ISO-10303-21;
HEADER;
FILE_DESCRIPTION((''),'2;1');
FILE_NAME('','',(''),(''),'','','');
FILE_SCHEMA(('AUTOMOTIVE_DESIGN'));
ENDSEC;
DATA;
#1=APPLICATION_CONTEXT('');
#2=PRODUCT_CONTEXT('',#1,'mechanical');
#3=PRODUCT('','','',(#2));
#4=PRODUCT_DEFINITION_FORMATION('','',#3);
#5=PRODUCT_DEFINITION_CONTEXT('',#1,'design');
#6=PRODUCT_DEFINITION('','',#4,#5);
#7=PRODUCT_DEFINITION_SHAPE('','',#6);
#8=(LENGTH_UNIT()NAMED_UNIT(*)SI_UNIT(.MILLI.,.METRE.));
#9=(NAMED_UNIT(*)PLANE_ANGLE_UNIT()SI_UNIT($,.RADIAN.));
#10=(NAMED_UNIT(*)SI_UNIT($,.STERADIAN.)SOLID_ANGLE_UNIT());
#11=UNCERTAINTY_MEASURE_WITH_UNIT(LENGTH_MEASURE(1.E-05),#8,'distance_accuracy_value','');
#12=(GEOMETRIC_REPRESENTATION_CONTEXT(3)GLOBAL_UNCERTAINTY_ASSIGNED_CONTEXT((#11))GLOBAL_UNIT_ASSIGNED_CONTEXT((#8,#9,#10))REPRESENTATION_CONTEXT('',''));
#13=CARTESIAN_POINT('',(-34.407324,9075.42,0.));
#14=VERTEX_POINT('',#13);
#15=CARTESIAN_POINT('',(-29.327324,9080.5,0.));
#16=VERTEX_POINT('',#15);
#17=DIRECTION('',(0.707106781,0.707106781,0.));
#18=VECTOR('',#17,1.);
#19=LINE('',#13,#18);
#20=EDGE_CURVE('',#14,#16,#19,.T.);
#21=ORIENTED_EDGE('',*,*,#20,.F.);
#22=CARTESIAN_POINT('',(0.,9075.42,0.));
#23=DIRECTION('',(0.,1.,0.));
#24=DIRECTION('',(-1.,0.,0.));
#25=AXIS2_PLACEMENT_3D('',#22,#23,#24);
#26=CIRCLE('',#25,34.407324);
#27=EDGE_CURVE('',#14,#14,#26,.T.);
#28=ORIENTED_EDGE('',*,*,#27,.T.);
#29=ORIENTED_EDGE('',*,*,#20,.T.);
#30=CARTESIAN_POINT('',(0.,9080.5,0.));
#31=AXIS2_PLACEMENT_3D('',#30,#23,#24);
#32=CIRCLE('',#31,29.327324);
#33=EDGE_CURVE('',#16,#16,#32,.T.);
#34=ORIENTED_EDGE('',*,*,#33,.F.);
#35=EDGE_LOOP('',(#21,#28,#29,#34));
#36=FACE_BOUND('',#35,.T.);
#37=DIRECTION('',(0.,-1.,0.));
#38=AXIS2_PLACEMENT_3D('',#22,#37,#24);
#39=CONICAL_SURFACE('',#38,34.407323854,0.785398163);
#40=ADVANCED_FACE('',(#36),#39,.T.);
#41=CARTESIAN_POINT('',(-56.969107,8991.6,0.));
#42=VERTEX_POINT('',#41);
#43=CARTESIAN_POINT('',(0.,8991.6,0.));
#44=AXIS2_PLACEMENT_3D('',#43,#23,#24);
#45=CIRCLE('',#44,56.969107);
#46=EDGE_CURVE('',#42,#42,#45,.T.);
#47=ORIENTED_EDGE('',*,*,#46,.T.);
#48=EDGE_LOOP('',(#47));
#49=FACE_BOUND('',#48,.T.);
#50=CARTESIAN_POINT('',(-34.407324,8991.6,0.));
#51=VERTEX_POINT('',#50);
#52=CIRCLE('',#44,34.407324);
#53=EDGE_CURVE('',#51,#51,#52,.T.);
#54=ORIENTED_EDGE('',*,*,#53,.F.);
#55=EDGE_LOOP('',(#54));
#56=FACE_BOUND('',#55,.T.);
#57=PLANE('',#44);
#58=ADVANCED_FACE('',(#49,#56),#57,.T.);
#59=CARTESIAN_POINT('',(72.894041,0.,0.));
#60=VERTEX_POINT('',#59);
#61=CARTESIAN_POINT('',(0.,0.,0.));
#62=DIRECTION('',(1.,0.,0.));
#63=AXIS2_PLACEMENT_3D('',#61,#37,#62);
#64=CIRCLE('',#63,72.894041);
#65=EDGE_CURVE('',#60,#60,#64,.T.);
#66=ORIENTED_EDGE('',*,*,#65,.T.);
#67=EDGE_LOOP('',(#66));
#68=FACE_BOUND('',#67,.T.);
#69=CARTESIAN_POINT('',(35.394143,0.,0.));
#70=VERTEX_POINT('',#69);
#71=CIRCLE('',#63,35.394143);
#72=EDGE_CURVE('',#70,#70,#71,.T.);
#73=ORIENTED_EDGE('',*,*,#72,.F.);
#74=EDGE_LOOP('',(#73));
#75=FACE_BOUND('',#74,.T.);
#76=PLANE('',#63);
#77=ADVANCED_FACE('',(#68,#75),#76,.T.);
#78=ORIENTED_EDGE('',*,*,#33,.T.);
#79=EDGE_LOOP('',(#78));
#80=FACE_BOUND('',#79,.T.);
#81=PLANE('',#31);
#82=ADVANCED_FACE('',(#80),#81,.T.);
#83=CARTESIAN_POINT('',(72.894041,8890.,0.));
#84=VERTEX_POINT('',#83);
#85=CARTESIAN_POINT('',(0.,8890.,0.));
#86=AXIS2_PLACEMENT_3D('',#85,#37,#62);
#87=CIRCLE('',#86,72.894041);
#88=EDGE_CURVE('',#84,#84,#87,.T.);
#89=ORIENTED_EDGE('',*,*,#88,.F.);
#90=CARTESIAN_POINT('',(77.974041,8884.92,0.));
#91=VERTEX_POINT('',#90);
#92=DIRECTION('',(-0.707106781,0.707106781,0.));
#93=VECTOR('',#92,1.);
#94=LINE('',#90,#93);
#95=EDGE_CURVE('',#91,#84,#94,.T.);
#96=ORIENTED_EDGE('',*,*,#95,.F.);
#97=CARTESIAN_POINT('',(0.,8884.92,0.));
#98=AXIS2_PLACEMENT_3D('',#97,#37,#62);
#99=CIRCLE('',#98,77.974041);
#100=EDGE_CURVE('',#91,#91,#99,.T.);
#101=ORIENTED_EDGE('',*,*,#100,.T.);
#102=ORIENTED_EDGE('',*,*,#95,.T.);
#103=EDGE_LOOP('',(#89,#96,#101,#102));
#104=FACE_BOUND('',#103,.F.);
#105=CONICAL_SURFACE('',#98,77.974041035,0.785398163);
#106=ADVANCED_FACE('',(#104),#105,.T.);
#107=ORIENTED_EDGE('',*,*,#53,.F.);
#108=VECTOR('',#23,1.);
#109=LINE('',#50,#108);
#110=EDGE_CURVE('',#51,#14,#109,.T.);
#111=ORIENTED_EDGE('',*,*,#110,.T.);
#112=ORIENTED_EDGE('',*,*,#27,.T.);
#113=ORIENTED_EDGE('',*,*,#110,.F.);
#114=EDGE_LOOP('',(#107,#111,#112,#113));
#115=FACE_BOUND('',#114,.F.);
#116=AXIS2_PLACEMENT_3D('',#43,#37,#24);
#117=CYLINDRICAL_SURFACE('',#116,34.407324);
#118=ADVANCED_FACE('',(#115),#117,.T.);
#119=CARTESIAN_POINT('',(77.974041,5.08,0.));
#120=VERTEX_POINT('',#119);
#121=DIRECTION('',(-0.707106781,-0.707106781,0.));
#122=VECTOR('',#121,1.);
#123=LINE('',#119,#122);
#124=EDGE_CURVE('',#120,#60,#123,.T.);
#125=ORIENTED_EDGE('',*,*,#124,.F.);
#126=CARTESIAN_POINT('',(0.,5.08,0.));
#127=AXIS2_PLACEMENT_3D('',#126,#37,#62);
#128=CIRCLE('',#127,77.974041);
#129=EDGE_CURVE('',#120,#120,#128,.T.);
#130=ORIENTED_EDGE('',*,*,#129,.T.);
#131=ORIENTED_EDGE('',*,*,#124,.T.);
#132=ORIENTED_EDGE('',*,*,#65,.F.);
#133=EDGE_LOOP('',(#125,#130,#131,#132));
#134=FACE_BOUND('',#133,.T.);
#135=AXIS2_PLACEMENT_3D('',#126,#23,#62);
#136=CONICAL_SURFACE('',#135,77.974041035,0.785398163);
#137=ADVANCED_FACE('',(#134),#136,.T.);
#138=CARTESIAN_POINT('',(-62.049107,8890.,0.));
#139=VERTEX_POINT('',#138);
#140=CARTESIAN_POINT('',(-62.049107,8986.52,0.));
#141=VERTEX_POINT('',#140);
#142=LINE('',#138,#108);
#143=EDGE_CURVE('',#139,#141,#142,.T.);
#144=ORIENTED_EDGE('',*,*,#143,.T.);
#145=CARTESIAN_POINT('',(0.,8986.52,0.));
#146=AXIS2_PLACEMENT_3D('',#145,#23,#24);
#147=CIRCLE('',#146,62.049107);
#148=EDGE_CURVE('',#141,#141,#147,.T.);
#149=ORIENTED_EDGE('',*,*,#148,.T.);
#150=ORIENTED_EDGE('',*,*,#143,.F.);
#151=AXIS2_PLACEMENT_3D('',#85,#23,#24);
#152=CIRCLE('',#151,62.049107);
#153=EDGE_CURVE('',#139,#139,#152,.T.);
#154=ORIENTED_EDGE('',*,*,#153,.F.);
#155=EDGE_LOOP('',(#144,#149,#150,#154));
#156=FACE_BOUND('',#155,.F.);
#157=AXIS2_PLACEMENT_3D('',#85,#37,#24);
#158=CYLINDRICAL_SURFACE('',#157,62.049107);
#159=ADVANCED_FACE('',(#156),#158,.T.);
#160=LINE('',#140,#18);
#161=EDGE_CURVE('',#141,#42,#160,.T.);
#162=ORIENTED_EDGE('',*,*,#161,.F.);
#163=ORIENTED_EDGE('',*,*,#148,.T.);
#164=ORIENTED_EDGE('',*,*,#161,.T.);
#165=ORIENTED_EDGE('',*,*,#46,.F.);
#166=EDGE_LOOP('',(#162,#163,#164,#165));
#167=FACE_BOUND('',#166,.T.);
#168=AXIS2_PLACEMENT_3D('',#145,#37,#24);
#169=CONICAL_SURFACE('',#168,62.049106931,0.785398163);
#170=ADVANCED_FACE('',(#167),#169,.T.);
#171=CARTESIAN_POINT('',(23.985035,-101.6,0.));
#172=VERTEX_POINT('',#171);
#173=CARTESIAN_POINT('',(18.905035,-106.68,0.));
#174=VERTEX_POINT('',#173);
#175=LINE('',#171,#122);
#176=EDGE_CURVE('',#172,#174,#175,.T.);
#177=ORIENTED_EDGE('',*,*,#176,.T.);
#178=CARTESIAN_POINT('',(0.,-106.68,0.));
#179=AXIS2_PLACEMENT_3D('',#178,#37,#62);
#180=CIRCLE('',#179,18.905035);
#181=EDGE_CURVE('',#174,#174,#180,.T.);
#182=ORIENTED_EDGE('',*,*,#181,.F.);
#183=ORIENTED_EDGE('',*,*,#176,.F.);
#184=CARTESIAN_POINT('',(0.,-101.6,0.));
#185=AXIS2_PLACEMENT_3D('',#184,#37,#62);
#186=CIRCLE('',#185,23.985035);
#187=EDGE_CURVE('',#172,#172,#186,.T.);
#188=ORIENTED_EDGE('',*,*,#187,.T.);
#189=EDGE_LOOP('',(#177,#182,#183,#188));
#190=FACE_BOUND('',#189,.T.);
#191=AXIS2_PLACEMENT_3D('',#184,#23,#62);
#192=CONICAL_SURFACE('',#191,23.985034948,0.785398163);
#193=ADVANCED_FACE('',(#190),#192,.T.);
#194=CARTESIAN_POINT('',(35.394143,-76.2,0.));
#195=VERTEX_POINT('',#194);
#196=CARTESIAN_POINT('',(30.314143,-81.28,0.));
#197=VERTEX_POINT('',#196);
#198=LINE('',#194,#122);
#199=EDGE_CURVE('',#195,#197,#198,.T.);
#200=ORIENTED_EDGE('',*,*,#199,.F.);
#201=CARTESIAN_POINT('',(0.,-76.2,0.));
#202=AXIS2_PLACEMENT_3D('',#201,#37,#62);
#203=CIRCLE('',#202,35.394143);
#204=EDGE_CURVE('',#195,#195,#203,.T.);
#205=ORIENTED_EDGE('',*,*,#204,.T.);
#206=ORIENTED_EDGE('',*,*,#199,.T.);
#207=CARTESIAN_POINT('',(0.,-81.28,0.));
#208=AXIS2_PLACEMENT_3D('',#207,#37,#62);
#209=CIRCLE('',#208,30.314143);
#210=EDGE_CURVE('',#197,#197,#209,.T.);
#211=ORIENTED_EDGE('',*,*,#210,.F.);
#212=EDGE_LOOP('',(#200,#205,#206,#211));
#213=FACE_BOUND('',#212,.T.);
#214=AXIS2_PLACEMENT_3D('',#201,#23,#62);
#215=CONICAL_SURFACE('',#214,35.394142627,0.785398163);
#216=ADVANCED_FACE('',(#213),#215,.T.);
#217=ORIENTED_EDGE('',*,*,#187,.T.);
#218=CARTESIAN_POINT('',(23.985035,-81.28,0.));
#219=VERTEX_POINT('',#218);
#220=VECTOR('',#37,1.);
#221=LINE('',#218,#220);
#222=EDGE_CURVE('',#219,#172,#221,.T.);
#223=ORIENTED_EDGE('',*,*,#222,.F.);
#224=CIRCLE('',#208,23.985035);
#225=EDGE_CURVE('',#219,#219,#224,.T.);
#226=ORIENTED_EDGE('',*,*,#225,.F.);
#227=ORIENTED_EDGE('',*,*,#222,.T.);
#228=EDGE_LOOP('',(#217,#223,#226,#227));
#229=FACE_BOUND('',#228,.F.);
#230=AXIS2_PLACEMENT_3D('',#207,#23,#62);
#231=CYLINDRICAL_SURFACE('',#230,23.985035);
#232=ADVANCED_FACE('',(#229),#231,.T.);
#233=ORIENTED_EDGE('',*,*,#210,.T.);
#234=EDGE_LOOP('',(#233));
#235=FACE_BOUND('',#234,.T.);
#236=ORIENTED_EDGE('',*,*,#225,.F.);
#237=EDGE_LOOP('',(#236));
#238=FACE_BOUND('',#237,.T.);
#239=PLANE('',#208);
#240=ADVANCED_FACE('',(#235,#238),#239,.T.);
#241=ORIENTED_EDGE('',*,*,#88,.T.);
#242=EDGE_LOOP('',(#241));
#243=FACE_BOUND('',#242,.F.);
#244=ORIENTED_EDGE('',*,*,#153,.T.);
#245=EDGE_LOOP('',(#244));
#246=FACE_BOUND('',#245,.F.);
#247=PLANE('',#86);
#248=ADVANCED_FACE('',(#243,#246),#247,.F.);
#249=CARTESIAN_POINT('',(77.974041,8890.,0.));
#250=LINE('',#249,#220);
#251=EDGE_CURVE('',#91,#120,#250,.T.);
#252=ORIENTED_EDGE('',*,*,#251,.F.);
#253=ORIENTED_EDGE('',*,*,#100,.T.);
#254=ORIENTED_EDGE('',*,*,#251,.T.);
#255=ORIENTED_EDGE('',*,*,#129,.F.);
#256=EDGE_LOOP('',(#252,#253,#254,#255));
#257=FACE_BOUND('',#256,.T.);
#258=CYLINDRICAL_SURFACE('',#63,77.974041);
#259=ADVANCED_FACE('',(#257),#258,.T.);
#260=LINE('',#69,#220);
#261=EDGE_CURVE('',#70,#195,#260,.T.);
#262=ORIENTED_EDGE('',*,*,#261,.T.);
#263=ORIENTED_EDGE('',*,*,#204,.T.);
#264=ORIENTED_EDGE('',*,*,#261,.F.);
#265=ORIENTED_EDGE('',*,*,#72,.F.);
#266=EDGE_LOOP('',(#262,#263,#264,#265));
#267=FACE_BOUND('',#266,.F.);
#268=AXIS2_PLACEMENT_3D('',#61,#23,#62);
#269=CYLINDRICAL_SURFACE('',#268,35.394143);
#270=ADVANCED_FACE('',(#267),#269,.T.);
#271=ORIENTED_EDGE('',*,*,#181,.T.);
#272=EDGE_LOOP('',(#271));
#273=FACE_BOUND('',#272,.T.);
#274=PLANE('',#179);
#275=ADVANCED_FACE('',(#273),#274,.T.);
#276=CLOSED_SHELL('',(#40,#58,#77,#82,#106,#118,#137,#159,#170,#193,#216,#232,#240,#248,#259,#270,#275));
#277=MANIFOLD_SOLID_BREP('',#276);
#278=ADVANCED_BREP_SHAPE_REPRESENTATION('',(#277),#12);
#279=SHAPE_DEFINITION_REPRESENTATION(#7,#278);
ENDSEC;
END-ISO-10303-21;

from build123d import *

# Parameters (mm, degrees)
F0_R       = 77.9740410351
F1_DEPTH   = 8890
F2_R       = 35.3941426272
F3_DEPTH   = 81.28
F4_R       = 23.9850349483
F1_FACE1_R = 77.9740410351
F5_DEPTH   = 25.4
F6_R       = 62.0491069306
F7_DEPTH   = 101.6
F8_R       = 34.4073238539
F9_DEPTH   = 88.9
F10_SIZE   = 5.08


with BuildPart() as f1:
    # F0 (on Front) → F1 (new body)
    with BuildSketch(Plane.XZ):
        Circle(F0_R)
    extrude(amount=-F1_DEPTH)

    # F2 (on face) → F3 (join)
    with BuildSketch(Plane.XZ):
        Circle(F2_R)
    extrude(amount=F3_DEPTH)

    # F4 (on face) + F1_face1 (on face) → F5 (join)
    with BuildSketch(Plane.XZ.offset(81.28)):
        Circle(F4_R)
    with BuildSketch(Plane(origin=(0, 8890, 0), x_dir=(1, 0, 0), z_dir=(0, 1, 0))):
        Circle(F1_FACE1_R)
    extrude(amount=F5_DEPTH, dir=(0, -1, 0))

    # F6 (on face) → F7 (join)
    with BuildSketch(Plane(origin=(0, 8890, 0), x_dir=(-1, 0, 0), z_dir=(0, 1, 0))):
        Circle(F6_R)
    extrude(amount=F7_DEPTH)

    # F8 (on face) → F9 (join)
    with BuildSketch(Plane(origin=(0, 8991.6, 0), x_dir=(-1, 0, 0), z_dir=(0, 1, 0))):
        Circle(F8_R)
    extrude(amount=F9_DEPTH)

    # F10
    f10_edges = [f1.edges().sort_by_distance(p)[0] for p in [
        (34.407324, 9080.5, 0),
        (62.049107, 8991.6, 0),
        (-77.974041, 8890, 0),
        (-77.974041, 0, 0),
        (-35.394143, -81.28, 0),
        (-23.985035, -106.68, 0),
    ]]
    chamfer(f10_edges, length=F10_SIZE)


solid = f1.part
